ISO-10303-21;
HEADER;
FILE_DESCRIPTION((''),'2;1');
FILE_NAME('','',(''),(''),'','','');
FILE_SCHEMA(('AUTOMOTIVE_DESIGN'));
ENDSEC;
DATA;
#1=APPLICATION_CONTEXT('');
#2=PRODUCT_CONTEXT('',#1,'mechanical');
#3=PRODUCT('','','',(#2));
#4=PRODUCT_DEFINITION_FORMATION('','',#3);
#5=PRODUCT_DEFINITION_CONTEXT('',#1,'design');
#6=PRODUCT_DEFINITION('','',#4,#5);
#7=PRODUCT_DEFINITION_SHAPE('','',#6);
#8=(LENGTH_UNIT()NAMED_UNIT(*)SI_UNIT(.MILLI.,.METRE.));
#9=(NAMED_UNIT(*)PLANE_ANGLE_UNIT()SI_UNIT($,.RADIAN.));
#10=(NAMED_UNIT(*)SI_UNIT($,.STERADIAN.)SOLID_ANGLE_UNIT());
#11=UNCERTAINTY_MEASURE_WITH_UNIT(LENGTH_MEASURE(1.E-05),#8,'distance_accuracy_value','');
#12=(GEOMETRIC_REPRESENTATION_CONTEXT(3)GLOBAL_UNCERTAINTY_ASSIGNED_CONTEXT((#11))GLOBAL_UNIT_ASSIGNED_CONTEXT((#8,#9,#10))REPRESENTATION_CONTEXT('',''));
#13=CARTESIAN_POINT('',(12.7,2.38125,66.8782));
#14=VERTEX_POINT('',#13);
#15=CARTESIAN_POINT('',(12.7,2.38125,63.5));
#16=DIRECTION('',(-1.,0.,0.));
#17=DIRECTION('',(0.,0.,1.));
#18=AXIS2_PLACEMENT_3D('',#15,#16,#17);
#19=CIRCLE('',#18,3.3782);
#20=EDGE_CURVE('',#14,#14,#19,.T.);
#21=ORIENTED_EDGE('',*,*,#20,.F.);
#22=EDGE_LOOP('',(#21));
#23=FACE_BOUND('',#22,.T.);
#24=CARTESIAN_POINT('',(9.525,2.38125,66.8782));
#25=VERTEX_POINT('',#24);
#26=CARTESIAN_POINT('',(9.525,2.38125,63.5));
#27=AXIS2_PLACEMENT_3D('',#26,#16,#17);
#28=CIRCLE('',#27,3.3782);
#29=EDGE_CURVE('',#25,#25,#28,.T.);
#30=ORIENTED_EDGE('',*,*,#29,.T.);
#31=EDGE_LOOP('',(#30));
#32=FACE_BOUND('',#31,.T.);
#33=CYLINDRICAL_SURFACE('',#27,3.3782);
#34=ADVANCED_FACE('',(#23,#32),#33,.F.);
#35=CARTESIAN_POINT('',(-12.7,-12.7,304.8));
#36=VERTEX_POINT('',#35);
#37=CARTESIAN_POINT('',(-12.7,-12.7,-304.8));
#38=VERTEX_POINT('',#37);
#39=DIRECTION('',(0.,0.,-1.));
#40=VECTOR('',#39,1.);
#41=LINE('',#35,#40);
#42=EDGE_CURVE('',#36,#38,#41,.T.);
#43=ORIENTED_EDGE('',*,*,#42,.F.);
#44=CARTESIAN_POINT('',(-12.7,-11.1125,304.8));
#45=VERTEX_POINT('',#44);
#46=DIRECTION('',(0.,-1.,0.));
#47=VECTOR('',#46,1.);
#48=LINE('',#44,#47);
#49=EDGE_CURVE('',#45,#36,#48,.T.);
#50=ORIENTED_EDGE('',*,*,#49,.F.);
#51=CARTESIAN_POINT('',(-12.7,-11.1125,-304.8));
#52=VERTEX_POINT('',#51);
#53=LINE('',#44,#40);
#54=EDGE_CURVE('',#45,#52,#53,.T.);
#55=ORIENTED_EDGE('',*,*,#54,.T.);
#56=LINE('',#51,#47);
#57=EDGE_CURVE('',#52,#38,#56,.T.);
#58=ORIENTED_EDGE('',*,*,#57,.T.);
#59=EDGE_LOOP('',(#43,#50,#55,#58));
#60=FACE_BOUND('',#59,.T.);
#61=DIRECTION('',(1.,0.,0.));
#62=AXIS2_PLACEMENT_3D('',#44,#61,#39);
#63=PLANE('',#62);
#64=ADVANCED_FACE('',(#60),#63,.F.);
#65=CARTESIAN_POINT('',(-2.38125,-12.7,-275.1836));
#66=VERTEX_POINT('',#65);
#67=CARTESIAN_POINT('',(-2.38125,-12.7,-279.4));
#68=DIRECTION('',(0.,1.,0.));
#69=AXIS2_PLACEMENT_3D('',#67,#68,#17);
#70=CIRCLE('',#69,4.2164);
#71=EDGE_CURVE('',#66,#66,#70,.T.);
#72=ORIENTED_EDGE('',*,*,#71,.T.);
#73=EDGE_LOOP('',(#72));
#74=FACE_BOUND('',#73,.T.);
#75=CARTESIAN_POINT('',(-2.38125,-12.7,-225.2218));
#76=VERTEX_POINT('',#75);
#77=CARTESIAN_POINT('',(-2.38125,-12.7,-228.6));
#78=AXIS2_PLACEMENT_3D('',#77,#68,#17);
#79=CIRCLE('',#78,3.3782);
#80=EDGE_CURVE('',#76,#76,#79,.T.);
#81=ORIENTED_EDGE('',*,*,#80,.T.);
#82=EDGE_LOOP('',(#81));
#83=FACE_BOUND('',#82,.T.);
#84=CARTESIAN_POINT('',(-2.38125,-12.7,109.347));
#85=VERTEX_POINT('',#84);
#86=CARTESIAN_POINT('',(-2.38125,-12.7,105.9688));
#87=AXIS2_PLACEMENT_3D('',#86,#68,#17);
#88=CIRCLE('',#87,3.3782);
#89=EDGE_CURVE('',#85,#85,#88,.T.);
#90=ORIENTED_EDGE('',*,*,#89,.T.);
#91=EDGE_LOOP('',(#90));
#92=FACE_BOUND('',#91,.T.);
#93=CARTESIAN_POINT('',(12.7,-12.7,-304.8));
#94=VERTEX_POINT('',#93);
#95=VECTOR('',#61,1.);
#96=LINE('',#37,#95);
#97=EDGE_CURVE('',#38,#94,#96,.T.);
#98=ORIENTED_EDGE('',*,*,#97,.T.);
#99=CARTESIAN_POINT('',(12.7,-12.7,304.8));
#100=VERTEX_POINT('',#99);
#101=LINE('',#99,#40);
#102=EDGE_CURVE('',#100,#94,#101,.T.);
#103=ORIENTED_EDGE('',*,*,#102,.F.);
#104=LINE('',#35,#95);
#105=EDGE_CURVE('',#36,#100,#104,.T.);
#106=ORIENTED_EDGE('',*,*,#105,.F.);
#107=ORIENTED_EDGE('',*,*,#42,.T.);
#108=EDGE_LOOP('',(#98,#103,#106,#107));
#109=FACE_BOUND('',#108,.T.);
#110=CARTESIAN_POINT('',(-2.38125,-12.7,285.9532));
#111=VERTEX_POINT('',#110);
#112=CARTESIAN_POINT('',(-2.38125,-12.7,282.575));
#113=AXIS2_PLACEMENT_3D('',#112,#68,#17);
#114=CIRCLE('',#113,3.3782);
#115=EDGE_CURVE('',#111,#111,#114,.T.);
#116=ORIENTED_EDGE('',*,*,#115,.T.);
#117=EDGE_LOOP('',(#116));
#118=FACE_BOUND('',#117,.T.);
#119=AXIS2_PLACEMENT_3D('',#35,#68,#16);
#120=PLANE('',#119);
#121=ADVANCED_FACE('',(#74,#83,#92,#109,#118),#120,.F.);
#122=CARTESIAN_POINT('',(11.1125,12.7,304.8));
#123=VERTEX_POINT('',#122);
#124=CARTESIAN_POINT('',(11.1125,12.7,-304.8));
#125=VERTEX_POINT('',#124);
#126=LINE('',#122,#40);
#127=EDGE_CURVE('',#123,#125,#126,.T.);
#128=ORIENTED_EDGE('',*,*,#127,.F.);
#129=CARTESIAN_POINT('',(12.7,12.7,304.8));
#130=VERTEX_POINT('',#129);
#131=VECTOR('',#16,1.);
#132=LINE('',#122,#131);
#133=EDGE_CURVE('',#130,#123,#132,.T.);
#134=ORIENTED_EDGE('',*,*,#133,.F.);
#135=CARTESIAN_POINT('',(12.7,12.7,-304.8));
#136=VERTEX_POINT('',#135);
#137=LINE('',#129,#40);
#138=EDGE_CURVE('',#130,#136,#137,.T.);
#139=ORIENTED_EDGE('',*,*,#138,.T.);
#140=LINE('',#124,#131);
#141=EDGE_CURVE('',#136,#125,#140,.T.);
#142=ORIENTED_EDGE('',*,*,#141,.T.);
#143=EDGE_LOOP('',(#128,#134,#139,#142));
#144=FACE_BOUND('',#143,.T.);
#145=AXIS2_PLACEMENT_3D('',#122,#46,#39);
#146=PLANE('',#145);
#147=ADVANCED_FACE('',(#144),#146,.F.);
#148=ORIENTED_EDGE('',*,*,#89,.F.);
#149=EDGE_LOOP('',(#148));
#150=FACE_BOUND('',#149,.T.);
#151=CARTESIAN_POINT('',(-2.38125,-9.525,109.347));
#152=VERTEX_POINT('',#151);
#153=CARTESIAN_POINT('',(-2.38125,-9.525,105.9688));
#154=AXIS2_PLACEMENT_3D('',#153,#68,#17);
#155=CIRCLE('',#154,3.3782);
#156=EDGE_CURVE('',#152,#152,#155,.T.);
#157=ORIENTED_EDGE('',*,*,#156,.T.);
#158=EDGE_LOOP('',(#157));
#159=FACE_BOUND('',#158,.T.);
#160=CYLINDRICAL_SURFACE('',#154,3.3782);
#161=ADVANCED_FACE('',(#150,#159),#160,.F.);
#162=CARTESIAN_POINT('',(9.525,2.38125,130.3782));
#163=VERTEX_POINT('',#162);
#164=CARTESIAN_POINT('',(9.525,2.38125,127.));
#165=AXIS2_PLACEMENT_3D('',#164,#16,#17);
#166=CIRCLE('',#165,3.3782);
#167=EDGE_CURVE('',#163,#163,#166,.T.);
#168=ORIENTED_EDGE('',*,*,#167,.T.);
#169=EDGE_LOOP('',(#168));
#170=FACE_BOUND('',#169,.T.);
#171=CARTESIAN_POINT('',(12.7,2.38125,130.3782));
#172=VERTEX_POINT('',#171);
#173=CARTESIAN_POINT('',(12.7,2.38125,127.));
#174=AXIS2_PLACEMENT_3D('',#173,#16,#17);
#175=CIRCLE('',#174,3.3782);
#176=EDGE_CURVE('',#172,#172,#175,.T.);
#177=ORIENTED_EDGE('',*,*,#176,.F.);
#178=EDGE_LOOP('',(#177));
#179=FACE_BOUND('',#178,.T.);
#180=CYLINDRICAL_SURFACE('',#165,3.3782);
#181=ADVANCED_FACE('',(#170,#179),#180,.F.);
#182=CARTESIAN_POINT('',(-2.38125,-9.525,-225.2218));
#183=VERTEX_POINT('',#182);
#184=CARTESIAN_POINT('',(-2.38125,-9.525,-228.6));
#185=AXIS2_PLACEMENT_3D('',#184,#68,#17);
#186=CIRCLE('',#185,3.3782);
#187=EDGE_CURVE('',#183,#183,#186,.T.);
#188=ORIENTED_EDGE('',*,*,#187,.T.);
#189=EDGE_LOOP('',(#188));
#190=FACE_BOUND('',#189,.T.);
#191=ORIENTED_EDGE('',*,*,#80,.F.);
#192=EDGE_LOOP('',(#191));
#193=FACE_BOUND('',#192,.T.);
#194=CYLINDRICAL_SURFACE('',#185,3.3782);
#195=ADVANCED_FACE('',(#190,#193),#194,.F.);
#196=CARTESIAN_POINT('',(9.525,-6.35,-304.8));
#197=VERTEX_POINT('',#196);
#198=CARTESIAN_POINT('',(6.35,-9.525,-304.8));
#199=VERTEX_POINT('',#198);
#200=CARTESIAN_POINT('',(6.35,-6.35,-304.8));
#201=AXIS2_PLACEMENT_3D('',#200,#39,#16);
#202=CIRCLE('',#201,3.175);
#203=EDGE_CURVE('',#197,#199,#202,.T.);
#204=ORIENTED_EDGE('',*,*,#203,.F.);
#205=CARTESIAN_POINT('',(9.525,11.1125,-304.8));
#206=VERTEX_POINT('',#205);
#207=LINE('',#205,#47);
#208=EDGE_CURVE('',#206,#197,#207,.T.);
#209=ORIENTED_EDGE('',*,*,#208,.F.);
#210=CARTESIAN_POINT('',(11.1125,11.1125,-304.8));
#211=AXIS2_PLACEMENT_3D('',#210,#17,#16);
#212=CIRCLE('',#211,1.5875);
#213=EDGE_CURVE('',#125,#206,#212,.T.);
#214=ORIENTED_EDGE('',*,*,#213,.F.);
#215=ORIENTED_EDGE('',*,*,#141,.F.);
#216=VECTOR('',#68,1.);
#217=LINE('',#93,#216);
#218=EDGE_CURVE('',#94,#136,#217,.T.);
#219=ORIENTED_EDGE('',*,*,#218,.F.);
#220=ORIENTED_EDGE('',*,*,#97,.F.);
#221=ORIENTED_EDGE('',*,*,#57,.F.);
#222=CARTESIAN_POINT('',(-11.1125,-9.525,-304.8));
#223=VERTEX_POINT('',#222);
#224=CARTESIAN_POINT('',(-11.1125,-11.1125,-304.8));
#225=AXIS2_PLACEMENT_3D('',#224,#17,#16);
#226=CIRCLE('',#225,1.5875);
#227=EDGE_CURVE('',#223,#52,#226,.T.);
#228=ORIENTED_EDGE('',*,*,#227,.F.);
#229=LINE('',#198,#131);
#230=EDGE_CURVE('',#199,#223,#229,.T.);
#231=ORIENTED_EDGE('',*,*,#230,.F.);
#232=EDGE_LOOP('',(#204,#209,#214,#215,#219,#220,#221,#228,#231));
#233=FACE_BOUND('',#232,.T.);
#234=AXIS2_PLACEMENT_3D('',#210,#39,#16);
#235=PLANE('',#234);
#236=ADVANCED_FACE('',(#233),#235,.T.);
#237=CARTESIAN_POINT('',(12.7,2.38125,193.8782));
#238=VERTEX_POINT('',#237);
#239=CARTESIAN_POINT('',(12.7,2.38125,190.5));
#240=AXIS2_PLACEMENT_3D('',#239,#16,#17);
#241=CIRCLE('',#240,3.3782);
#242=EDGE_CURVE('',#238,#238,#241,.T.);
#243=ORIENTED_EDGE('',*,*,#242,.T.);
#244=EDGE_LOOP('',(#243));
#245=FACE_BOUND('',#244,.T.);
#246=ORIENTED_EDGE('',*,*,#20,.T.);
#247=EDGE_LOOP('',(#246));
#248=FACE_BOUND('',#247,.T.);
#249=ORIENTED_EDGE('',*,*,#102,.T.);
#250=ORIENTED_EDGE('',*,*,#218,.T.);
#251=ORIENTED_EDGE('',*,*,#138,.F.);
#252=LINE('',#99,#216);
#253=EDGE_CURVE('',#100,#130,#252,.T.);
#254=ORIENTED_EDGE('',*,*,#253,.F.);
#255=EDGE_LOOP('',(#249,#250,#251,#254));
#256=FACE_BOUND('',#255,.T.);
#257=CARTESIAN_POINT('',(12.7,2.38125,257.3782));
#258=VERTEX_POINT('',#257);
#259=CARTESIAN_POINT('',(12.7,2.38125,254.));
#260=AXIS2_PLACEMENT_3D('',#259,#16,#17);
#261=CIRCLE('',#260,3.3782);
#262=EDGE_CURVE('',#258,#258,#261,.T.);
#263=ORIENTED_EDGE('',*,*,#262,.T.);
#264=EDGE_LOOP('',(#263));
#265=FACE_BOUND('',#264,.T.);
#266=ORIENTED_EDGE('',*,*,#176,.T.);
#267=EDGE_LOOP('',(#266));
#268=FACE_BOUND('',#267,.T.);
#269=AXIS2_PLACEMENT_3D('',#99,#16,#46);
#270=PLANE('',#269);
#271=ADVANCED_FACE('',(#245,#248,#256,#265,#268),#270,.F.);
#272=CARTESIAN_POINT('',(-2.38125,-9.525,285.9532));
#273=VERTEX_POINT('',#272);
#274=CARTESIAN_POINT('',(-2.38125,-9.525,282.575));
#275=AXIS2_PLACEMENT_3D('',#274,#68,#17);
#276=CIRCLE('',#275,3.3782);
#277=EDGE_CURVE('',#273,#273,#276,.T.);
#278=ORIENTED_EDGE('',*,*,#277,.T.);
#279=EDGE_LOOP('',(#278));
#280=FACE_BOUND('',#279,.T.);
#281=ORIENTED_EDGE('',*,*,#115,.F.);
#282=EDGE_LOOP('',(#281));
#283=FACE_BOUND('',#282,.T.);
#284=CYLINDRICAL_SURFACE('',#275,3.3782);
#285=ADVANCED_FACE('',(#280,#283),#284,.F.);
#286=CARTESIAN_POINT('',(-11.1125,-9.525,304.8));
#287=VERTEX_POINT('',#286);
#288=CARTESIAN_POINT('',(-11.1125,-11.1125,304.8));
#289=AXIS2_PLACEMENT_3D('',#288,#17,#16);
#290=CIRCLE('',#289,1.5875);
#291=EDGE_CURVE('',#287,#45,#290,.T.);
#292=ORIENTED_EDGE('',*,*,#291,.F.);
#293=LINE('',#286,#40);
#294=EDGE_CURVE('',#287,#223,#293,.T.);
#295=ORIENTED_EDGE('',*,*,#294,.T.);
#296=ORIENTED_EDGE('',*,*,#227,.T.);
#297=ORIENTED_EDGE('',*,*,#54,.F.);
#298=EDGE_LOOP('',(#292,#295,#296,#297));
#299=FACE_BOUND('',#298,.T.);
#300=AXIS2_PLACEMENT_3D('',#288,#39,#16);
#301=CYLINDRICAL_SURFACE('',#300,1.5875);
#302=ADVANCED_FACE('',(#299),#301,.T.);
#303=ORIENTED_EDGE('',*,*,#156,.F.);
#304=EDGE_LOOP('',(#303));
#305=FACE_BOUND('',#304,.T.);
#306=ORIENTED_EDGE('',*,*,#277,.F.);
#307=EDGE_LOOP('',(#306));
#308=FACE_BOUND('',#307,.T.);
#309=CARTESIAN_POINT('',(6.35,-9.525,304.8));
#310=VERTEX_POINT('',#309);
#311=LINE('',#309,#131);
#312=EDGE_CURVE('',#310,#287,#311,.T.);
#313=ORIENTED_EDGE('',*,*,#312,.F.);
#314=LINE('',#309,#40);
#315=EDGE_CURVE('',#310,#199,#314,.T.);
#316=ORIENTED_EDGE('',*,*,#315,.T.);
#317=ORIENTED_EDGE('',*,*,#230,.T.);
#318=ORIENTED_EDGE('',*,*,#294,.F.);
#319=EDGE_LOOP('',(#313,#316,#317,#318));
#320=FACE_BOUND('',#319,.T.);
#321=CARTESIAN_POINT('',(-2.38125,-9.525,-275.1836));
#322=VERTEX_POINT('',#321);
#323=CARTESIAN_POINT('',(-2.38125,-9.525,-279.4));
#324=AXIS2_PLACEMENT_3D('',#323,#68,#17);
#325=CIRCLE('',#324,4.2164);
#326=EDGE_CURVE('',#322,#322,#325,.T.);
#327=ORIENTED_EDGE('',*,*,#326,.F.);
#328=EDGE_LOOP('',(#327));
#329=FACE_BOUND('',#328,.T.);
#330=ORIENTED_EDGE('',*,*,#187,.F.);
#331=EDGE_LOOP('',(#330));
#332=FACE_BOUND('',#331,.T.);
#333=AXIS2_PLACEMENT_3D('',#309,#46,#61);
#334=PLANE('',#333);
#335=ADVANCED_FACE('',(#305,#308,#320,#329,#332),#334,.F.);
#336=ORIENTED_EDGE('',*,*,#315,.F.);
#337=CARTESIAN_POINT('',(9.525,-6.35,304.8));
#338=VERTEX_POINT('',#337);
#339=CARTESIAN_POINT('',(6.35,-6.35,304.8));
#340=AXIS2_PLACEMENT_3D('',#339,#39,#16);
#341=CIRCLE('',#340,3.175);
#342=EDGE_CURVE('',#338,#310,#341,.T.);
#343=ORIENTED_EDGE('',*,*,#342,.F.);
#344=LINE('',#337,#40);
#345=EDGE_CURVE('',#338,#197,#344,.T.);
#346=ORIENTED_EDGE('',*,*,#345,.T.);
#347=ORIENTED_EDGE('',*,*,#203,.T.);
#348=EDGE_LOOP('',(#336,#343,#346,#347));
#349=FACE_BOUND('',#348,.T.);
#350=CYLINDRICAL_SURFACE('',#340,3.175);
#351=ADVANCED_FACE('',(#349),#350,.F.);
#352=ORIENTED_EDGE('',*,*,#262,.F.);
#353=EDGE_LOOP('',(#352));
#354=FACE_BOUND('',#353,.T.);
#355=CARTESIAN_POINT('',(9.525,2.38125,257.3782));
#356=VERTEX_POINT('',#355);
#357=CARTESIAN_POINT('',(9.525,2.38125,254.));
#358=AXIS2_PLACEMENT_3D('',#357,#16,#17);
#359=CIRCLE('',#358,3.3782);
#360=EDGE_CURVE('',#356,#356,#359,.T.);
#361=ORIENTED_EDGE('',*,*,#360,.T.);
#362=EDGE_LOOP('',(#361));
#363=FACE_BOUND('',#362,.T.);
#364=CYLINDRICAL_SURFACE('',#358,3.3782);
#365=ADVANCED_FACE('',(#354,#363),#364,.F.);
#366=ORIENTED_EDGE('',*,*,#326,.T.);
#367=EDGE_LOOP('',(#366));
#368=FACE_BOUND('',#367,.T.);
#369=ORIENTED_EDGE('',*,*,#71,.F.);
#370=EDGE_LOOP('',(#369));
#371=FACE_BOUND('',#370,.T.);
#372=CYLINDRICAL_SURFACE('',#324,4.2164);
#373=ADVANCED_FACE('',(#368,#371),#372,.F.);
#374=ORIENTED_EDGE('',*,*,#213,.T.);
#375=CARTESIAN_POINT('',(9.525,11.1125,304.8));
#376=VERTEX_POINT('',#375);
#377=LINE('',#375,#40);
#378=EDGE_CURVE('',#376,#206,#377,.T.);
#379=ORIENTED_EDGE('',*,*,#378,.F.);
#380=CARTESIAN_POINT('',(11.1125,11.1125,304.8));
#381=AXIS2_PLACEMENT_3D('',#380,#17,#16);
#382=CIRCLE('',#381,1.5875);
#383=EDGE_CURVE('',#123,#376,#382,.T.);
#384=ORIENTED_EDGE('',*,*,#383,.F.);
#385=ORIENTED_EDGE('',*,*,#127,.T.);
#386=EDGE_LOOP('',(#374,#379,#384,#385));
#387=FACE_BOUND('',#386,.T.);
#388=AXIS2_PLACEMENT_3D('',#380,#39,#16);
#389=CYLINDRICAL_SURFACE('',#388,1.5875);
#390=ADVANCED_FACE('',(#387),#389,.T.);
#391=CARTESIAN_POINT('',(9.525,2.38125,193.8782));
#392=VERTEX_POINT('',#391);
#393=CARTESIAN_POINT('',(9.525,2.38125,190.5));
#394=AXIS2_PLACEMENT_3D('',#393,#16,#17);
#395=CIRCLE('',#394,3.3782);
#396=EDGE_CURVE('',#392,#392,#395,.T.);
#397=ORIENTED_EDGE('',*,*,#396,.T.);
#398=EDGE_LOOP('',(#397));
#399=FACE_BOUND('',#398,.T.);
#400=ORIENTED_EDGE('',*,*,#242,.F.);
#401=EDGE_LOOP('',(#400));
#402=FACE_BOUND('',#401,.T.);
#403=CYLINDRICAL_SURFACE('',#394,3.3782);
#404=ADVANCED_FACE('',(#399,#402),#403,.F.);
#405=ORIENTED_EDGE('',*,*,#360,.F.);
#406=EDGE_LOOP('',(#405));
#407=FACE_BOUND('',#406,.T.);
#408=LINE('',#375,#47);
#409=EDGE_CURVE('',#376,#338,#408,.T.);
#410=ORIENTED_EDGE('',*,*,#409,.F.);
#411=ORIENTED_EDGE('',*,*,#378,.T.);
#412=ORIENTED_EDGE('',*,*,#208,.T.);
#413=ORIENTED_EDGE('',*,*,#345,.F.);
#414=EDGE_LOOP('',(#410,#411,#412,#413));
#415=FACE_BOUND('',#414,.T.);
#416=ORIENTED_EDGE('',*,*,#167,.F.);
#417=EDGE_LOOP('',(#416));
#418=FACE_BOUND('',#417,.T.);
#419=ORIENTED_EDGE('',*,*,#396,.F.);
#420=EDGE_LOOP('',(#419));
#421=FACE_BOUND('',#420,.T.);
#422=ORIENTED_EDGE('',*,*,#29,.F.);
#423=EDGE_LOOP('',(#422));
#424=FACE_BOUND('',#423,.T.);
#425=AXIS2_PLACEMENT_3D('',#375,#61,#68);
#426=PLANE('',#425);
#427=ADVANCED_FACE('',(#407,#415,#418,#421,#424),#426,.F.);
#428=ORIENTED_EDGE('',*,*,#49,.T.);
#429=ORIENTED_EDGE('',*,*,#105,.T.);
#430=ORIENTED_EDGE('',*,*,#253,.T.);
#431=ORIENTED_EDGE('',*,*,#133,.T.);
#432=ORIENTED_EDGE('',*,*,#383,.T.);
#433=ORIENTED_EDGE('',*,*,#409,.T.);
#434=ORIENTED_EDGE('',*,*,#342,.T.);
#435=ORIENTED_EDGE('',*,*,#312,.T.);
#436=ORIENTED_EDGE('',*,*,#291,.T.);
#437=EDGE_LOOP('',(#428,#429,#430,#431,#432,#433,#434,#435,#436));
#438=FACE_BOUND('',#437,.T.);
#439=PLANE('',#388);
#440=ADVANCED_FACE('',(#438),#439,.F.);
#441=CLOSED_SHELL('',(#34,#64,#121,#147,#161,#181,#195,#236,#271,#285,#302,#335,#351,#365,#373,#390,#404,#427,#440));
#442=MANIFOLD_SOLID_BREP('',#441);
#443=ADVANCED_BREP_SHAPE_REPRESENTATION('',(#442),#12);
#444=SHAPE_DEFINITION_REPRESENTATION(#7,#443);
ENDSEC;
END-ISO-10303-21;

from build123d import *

# Parameters (mm, degrees)
BOSS_EXTRUDE1_DEPTH      = 304.8
F_1_4_CLEARANCE_HOLE1_D  = 6.7564
F_1_4_CLEARANCE_HOLE2_D  = 6.7564
F_5_16_CLEARANCE_HOLE1_D = 8.4328


with BuildPart() as part:
    # Sketch2 → Boss-Extrude1 (new, symmetric)
    with BuildSketch(Plane.XY):
        with BuildLine():
            Line((-12.7, -12.7), (12.7, -12.7))
            Line((12.7, -12.7), (12.7, 12.7))
            Line((12.7, 12.7), (11.1125, 12.7))
            ThreePointArc((11.1125, 12.7), (9.989967985, 12.235032015), (9.525, 11.1125))
            Line((9.525, 11.1125), (9.525, -6.35))
            ThreePointArc((9.525, -6.35), (8.59506403, -8.59506403), (6.35, -9.525))
            Line((6.35, -9.525), (-11.1125, -9.525))
            ThreePointArc((-11.1125, -9.525), (-12.235032015, -9.989967985), (-12.7, -11.1125))
            Line((-12.7, -11.1125), (-12.7, -12.7))
        make_face()
    extrude(amount=BOSS_EXTRUDE1_DEPTH, both=True)

    # 1/4 Clearance Hole1 (through all)
    with Locations(Plane(origin=(0, -9.525, 0), x_dir=(-1, 0, 0), z_dir=(0, 1, 0))):
        with Locations((2.38125, 282.575), (2.38125, -228.6), (2.38125, 105.9688)):
            Hole(F_1_4_CLEARANCE_HOLE1_D / 2)

    # 1/4 Clearance Hole2 (through all)
    with Locations(Plane.ZY.offset(-9.525)):
        with Locations((254, 2.38125), (190.5, 2.38125), (127, 2.38125), (63.5, 2.38125)):
            Hole(F_1_4_CLEARANCE_HOLE2_D / 2)

    # 5/16 Clearance Hole1 (through all)
    with Locations(Plane(origin=(0, -9.525, 0), x_dir=(1, 0, 0), z_dir=(0, 1, 0))):
        with Locations((-2.38125, 279.4)):
            Hole(F_5_16_CLEARANCE_HOLE1_D / 2)


solid = part.part
